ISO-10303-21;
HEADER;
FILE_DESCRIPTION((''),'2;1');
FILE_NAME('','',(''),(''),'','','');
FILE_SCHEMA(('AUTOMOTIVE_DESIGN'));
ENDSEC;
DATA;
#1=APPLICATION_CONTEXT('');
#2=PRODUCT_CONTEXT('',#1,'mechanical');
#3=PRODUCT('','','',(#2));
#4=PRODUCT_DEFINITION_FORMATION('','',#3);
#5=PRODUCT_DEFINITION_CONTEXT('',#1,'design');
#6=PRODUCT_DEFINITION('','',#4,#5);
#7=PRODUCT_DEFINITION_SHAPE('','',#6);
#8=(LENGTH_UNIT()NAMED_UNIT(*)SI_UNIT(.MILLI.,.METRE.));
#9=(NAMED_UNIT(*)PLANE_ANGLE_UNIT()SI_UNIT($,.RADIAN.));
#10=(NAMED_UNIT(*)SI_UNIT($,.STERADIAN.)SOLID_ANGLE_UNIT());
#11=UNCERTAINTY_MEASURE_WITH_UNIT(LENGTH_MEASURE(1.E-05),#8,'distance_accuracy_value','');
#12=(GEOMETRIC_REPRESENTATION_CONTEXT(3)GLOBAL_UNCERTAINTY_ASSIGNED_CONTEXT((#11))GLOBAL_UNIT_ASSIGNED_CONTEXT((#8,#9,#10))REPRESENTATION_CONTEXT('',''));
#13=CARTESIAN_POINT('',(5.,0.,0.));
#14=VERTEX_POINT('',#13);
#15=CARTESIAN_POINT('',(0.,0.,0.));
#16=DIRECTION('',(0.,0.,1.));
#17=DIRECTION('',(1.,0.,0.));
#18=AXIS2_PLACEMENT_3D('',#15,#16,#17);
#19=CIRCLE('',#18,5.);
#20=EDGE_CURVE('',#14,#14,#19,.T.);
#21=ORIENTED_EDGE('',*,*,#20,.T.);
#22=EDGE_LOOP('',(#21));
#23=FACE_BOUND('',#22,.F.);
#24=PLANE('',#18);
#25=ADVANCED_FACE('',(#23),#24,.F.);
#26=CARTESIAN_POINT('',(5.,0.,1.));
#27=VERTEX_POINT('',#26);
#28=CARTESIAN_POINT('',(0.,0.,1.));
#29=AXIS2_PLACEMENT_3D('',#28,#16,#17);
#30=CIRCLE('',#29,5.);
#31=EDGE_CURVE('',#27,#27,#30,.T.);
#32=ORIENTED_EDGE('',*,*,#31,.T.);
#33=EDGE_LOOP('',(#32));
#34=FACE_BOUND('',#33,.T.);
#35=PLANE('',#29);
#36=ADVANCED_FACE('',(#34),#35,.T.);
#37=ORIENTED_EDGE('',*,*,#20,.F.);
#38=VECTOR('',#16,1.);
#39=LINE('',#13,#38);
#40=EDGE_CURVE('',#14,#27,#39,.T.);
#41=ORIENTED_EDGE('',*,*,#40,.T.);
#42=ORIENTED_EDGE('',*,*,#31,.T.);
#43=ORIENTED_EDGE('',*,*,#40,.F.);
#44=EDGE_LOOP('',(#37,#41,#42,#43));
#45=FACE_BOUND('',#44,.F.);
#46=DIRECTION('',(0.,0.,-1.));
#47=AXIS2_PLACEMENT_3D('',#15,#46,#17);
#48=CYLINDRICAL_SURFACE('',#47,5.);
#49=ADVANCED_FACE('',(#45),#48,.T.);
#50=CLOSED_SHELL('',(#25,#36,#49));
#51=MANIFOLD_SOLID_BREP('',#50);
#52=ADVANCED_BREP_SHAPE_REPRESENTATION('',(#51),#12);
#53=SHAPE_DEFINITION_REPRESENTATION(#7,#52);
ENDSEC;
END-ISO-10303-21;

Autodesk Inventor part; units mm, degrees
ref_plane "YZ Plane" through (0, 0, 0) normal (1, 0, 0) x (0, 1, 0)
ref_plane "XZ Plane" through (0, 0, 0) normal (0, 1, 0) x (-1, 0, 0)
ref_plane "XY Plane" through (0, 0, 0) normal (0, 0, 1) x (1, 0, 0)
sketch "Sketch1" plane through (0, 0, 0) normal (0, 0, 1) x (1, 0, 0)
  circle A0 centre (0, 0) radius 5
  dimension "d0" = 10
extrude "Extrusion1" add sketch "Sketch1" along normal blind 1
properties part number "Disk-sample-10mm"
